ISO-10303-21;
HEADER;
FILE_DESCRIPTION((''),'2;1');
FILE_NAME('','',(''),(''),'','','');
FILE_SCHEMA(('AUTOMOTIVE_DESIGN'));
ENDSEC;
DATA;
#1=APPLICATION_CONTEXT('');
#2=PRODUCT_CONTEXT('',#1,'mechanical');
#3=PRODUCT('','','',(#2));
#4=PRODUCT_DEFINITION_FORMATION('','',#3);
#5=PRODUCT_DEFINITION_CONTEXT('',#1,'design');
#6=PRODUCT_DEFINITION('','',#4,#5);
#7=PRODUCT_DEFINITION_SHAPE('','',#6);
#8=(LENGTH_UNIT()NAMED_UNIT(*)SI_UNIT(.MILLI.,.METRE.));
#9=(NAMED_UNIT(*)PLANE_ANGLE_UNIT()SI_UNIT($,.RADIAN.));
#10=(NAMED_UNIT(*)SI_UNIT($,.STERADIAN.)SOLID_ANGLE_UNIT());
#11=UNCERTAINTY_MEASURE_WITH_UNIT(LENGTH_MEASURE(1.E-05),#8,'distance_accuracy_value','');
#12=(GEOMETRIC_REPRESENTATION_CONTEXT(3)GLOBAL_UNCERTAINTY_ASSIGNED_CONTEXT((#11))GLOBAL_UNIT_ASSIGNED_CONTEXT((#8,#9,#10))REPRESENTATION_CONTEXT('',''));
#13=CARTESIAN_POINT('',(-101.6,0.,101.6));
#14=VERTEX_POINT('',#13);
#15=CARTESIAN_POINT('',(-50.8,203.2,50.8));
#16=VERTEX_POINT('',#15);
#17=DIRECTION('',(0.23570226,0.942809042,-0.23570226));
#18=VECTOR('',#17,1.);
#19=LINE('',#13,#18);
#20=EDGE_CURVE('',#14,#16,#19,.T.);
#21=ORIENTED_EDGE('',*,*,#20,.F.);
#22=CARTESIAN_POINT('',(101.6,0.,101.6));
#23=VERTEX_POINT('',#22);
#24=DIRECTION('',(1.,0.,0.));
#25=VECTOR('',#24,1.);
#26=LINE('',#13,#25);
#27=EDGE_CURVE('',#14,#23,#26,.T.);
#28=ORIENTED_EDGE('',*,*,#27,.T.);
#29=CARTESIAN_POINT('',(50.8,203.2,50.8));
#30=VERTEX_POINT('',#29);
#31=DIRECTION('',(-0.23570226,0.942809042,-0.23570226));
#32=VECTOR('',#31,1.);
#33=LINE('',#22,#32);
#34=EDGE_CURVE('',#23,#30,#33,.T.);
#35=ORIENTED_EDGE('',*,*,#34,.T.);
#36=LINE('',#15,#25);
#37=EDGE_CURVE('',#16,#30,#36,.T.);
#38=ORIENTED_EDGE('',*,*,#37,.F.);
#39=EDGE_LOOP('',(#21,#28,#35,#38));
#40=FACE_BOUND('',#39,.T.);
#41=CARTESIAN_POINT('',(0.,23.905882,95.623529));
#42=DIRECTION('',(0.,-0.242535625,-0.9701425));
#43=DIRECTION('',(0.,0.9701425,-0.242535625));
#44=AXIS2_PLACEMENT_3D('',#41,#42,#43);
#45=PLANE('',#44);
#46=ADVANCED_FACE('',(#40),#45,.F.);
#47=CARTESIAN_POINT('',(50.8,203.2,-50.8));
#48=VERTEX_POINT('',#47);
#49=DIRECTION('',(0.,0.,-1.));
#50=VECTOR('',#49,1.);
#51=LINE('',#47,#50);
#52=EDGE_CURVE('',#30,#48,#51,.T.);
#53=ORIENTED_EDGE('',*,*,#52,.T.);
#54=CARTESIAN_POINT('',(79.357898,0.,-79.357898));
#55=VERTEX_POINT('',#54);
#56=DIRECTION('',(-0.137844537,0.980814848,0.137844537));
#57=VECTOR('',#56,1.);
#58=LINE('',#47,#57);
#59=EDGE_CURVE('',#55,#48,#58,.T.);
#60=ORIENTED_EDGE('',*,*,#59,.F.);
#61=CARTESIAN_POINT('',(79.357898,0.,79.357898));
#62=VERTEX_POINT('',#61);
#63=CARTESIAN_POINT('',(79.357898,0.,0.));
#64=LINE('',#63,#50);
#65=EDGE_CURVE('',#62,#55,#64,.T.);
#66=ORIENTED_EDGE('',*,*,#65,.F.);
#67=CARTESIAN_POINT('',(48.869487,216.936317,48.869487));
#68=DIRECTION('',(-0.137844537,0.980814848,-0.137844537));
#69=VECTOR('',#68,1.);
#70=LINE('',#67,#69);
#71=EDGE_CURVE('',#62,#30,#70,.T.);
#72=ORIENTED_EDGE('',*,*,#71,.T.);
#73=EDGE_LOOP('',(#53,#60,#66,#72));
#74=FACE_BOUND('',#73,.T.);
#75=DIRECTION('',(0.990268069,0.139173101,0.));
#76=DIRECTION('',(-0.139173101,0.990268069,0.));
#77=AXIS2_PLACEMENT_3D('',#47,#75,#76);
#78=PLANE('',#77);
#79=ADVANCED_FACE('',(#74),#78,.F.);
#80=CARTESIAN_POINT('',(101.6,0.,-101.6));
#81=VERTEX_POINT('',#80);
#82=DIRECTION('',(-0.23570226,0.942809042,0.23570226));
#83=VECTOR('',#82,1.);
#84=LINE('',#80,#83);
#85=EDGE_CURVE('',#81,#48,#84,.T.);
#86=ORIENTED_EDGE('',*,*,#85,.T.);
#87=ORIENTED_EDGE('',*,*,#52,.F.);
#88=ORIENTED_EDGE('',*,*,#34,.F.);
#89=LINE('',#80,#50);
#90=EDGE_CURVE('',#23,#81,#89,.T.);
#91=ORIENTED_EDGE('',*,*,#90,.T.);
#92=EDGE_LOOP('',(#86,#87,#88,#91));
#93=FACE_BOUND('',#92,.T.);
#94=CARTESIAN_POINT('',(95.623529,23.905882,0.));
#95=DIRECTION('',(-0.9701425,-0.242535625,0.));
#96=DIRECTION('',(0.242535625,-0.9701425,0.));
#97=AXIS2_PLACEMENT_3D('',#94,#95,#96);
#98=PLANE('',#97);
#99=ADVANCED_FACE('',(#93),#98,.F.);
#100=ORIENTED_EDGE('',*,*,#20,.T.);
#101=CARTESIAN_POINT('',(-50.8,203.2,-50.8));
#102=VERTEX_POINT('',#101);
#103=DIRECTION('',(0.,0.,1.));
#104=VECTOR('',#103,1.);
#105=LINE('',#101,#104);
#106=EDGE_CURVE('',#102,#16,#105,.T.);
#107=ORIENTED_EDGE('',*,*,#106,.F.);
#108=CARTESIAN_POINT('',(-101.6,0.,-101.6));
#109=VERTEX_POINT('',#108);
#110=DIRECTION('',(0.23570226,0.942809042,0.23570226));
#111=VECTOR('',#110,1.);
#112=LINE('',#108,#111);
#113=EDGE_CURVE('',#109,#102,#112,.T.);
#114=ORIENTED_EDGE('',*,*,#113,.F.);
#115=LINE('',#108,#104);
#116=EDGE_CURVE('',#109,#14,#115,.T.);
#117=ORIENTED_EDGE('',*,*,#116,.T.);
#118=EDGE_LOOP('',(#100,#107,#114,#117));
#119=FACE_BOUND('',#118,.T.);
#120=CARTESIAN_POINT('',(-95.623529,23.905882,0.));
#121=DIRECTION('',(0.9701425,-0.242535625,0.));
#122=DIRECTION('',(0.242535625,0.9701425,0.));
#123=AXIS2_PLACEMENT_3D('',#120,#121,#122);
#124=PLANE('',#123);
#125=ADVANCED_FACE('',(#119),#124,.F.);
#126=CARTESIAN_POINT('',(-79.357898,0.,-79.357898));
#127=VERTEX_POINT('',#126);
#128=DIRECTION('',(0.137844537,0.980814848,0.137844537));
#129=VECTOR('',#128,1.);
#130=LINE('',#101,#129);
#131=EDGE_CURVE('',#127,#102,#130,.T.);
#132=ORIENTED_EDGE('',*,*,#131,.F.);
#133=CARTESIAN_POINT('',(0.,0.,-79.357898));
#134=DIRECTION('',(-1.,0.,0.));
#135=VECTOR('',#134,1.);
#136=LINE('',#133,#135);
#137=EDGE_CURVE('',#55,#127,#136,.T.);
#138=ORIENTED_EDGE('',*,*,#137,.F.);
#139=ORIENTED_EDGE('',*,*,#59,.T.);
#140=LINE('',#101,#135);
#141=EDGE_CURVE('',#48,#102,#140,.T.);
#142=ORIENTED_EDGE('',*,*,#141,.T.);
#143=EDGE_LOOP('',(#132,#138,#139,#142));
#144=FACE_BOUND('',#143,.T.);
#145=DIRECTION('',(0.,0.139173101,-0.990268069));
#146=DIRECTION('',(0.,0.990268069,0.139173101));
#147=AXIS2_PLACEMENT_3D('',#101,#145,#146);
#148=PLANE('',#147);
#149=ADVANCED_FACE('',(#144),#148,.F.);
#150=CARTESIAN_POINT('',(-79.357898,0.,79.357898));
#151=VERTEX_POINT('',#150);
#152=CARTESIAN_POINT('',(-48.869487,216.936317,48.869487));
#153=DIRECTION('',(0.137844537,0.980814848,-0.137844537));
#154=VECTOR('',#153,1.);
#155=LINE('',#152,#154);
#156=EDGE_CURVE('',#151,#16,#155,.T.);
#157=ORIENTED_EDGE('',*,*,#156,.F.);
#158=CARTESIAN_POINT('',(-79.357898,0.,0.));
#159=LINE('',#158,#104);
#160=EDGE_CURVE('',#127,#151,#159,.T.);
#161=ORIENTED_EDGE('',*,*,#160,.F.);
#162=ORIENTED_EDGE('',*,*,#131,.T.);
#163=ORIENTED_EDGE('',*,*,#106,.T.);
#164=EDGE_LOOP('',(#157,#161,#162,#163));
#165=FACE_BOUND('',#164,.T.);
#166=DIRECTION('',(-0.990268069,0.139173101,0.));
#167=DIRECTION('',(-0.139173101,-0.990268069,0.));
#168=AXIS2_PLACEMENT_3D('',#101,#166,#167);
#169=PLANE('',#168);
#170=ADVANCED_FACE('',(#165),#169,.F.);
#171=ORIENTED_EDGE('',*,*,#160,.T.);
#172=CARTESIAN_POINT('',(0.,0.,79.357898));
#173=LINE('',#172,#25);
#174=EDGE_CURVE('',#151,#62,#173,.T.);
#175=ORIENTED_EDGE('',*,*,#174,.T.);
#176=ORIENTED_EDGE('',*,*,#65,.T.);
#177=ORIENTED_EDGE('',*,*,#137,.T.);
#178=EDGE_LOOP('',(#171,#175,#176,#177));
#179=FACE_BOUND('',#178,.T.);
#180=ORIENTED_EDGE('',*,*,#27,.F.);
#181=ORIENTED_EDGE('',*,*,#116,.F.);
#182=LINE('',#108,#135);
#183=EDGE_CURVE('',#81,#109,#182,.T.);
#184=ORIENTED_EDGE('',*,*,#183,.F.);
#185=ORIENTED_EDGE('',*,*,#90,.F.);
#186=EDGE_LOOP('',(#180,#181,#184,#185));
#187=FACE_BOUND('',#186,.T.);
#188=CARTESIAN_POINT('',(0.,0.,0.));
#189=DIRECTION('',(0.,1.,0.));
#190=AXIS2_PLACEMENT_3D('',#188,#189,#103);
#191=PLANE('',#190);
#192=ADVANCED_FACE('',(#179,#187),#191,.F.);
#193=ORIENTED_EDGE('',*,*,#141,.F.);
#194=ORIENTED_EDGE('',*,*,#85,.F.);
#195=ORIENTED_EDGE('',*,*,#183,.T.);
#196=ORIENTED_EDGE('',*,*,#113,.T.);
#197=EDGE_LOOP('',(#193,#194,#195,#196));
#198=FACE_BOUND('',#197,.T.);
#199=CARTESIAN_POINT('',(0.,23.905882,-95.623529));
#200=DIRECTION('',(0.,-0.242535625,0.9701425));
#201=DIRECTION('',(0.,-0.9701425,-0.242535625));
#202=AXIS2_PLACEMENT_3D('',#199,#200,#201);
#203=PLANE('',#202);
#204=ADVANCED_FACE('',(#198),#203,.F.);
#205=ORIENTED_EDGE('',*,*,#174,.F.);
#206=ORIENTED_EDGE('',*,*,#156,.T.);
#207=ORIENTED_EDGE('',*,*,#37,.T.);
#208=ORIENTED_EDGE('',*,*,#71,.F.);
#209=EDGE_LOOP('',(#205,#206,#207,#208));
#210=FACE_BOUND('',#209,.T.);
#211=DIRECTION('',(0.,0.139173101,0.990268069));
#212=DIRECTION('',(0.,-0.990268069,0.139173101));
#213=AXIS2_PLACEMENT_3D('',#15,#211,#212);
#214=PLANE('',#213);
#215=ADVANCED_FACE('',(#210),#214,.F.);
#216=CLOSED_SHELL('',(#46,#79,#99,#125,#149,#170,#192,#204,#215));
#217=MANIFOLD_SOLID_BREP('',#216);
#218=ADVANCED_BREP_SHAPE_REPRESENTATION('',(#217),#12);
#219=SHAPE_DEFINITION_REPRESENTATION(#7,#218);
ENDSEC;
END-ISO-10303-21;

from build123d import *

# Parameters (mm, degrees)
SKETCH1_W          = 203.2
SKETCH1_H          = 203.2
SKETCH2_W          = 101.6
SKETCH2_H          = 101.6
SKETCH14_W         = 101.6
SKETCH14_H         = 101.6
CUT_EXTRUDE2_DEPTH = 203.2
CUT_EXTRUDE2_TAPER = -8


with BuildPart() as part:
    # Sketch1 → Loft1 section 0
    with BuildSketch(Plane(origin=(0, 0, 0), x_dir=(1, 0, 0), z_dir=(0, 1, 0))):
        Rectangle(SKETCH1_W, SKETCH1_H)
    # Sketch2 → Loft1 section 1
    with BuildSketch(Plane(origin=(0, 203.2, 0), x_dir=(1, 0, 0), z_dir=(0, 1, 0))):
        Rectangle(SKETCH2_W, SKETCH2_H)
    loft()

    # Sketch14 → Cut-Extrude2 (cut)
    with BuildSketch(Plane(origin=(0, 203.2, 0), x_dir=(1, 0, 0), z_dir=(0, 1, 0))):
        Rectangle(SKETCH14_W, SKETCH14_H)
    extrude(amount=-CUT_EXTRUDE2_DEPTH, taper=CUT_EXTRUDE2_TAPER, mode=Mode.SUBTRACT)


solid = part.part
